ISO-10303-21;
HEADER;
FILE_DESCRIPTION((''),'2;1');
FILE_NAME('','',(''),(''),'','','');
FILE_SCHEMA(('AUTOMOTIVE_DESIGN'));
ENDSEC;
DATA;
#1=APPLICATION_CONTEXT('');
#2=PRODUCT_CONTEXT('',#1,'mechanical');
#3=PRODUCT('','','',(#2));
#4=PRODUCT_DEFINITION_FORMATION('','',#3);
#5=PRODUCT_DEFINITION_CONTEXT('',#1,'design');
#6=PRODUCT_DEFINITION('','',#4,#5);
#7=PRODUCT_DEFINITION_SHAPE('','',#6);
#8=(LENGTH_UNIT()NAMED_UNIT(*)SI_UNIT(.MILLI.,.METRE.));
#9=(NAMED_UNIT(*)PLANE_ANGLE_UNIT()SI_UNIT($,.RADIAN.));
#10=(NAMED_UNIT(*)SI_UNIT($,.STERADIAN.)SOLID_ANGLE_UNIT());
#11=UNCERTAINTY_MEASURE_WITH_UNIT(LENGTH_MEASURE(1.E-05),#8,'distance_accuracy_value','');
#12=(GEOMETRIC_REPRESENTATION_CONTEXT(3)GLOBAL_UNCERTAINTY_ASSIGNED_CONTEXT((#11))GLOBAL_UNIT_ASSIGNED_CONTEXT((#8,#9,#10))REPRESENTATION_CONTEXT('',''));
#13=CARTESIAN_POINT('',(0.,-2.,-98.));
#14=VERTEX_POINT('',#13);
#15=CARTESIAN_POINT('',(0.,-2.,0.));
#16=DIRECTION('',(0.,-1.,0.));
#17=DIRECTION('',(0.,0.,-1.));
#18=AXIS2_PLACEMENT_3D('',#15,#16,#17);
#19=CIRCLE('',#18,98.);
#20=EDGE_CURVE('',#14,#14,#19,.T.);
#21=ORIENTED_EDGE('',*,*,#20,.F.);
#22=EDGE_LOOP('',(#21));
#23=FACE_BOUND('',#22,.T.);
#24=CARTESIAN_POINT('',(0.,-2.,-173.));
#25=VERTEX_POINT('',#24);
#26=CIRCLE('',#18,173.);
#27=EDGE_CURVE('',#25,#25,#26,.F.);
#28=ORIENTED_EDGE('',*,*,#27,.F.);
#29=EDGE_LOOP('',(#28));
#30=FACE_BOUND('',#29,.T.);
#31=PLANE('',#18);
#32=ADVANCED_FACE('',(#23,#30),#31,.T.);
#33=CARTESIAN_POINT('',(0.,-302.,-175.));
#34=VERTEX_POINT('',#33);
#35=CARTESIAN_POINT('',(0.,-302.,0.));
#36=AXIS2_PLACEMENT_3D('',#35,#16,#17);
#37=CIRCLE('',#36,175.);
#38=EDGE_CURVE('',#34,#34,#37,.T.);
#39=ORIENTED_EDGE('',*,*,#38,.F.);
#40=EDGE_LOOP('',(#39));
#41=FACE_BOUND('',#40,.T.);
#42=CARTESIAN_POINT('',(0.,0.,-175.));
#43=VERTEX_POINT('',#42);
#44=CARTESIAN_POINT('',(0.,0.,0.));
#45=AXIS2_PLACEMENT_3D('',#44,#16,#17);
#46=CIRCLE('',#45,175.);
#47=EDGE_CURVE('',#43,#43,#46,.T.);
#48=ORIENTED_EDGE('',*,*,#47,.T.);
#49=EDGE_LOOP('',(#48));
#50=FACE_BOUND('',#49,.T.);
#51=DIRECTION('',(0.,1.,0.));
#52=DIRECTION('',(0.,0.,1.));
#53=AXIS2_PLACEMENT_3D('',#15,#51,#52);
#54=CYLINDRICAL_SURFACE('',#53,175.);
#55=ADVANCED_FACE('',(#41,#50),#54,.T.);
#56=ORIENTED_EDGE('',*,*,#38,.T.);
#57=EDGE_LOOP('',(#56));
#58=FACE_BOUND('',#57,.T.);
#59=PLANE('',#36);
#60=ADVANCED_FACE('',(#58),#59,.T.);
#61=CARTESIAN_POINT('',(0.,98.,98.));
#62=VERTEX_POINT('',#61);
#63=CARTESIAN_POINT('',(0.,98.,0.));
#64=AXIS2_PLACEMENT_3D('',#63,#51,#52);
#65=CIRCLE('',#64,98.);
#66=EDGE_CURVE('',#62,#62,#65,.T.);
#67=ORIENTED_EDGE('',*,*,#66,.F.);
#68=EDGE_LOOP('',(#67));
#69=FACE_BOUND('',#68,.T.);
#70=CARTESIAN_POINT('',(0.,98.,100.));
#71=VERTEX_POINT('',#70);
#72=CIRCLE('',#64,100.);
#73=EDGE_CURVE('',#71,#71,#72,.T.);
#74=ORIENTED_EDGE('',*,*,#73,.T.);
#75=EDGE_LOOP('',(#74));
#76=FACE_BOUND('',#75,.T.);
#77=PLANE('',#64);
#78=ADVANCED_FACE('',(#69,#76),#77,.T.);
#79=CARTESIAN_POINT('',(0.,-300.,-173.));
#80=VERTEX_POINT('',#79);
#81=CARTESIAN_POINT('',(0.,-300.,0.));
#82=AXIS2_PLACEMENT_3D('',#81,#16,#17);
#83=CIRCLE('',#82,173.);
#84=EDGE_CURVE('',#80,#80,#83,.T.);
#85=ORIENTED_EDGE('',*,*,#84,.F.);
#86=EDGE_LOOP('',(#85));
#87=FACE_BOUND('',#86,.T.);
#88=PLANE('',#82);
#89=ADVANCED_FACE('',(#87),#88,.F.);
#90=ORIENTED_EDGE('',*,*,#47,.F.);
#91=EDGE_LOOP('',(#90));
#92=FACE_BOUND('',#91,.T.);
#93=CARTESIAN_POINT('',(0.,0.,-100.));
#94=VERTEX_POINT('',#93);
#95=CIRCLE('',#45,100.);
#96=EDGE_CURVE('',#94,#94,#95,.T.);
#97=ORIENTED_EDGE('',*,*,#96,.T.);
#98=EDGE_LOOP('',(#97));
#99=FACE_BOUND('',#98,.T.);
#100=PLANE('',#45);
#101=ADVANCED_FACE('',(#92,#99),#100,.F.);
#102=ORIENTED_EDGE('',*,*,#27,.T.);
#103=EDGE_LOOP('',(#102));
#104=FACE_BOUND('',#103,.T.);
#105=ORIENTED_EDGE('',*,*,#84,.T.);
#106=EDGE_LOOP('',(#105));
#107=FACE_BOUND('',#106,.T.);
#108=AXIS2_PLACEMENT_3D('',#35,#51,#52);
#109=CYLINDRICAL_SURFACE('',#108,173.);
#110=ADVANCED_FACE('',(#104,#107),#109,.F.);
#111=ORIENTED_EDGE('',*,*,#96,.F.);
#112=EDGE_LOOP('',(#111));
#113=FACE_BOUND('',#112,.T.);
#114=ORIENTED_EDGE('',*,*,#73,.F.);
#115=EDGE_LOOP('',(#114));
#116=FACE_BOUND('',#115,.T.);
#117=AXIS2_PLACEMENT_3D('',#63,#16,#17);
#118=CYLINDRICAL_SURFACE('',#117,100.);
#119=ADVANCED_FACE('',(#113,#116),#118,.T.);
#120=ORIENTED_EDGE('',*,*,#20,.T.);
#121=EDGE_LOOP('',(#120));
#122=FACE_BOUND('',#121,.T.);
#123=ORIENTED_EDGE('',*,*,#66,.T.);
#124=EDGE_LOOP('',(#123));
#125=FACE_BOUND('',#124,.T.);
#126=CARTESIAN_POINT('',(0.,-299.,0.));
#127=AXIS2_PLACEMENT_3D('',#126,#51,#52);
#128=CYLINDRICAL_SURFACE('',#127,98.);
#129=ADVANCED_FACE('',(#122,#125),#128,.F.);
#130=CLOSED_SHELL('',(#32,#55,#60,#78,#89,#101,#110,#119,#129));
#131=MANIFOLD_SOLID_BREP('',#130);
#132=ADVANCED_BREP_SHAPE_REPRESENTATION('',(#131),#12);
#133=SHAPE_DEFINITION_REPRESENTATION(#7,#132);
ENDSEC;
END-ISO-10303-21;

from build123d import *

# Parameters (mm, degrees)
SKETCH1_R           = 100
BOSS_EXTRUDE1_DEPTH = 98
SKETCH3_R           = 98
CUT_EXTRUDE2_DEPTH  = 397
SKETCH5_R           = 175
SKETCH5_R_2         = 98
BOSS_EXTRUDE2_DEPTH = 2
SKETCH7_R           = 175
SKETCH7_R_2         = 173
BOSS_EXTRUDE3_DEPTH = 300
SKETCH8_R           = 175
BOSS_EXTRUDE4_DEPTH = 2


with BuildPart() as part:
    # Sketch1 → Boss-Extrude1 (new body)
    with BuildSketch(Plane(origin=(0, 0, 0), x_dir=(1, 0, 0), z_dir=(0, 1, 0))):
        Circle(SKETCH1_R)
    extrude(amount=BOSS_EXTRUDE1_DEPTH)

    # Sketch3 → Cut-Extrude2 (cut)
    with BuildSketch(Plane(origin=(0, 98, 0), x_dir=(1, 0, 0), z_dir=(0, 1, 0))):
        Circle(SKETCH3_R)
    extrude(amount=-CUT_EXTRUDE2_DEPTH, mode=Mode.SUBTRACT)

    # Sketch5 → Boss-Extrude2 (add)
    with BuildSketch(Plane.XZ):
        Circle(SKETCH5_R)
        Circle(SKETCH5_R_2, mode=Mode.SUBTRACT)
    extrude(amount=BOSS_EXTRUDE2_DEPTH)

    # Sketch7 → Boss-Extrude3 (add)
    with BuildSketch(Plane.XZ.offset(2)):
        Circle(SKETCH7_R)
        Circle(SKETCH7_R_2, mode=Mode.SUBTRACT)
    extrude(amount=BOSS_EXTRUDE3_DEPTH)

    # Sketch8 → Boss-Extrude4 (add)
    with BuildSketch(Plane.XZ.offset(302)):
        Circle(SKETCH8_R)
    extrude(amount=-BOSS_EXTRUDE4_DEPTH)


solid = part.part
